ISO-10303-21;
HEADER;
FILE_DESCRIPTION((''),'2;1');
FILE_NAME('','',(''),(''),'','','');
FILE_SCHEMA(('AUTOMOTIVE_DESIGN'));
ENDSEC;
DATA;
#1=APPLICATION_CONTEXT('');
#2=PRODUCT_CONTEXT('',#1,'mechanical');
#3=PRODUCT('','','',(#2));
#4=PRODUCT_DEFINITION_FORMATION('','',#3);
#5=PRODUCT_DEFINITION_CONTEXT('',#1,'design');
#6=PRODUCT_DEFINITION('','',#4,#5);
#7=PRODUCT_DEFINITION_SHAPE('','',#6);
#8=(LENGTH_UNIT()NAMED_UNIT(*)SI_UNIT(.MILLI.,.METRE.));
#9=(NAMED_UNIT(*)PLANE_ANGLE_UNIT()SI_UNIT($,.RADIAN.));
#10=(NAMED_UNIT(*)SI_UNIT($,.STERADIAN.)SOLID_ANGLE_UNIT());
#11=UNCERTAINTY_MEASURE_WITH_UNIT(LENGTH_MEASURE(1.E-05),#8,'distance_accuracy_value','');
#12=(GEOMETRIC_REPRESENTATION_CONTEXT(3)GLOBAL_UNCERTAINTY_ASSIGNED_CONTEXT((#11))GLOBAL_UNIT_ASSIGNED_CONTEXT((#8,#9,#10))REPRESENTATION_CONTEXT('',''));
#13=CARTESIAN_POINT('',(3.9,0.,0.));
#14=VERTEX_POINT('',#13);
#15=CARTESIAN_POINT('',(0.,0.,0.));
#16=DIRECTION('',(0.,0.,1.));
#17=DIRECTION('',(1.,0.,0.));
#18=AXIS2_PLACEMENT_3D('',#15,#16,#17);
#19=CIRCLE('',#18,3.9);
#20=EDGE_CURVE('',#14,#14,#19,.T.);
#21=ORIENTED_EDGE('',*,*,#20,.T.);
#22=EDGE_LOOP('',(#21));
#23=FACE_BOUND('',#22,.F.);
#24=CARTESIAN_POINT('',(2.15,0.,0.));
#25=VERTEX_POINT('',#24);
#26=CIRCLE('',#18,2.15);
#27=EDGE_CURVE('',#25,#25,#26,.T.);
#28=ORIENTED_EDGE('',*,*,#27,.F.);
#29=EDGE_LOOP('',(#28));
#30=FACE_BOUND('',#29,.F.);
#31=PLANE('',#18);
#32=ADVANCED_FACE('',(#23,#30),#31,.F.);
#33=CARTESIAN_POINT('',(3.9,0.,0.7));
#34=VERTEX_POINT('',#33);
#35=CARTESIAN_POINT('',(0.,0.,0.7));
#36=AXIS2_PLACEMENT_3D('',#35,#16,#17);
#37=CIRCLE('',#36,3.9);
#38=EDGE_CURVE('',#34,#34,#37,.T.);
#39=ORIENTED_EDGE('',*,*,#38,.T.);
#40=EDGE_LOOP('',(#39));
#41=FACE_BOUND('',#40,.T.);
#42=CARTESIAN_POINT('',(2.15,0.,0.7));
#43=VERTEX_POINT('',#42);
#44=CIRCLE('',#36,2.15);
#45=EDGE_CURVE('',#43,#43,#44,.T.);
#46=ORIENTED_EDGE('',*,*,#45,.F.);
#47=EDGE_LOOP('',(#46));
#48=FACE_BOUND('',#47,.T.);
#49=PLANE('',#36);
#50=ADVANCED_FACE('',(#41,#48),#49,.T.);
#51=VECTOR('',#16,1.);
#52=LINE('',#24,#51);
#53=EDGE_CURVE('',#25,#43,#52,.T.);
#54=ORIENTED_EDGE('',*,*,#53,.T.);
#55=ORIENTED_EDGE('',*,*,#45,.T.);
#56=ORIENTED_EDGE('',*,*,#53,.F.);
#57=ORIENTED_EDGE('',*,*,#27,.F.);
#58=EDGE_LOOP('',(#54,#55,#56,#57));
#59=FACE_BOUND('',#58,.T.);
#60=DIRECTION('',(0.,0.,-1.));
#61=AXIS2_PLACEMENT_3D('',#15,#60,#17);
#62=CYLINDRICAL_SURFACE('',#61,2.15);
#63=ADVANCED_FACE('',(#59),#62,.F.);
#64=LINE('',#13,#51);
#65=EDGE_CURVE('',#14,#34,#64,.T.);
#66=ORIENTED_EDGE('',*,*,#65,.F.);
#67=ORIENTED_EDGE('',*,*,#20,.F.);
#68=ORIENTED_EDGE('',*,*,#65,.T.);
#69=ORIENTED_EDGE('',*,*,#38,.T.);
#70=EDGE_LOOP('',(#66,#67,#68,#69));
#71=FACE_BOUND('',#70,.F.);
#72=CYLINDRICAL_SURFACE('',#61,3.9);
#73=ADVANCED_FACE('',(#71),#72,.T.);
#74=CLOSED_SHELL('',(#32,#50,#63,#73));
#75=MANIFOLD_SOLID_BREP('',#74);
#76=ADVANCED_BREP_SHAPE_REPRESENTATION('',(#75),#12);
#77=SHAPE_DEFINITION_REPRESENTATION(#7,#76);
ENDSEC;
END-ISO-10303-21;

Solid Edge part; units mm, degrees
sketch "Sketch1" plane through (0, 0, 0) normal (0, 0, 1) x (1, 0, 0)
  circle A0 centre (0, 0) radius 3.9
  circle A1 centre (0, 0) radius 2.15
extrude "Protrusion1" add sketch "Sketch1" along normal blind 0.7
